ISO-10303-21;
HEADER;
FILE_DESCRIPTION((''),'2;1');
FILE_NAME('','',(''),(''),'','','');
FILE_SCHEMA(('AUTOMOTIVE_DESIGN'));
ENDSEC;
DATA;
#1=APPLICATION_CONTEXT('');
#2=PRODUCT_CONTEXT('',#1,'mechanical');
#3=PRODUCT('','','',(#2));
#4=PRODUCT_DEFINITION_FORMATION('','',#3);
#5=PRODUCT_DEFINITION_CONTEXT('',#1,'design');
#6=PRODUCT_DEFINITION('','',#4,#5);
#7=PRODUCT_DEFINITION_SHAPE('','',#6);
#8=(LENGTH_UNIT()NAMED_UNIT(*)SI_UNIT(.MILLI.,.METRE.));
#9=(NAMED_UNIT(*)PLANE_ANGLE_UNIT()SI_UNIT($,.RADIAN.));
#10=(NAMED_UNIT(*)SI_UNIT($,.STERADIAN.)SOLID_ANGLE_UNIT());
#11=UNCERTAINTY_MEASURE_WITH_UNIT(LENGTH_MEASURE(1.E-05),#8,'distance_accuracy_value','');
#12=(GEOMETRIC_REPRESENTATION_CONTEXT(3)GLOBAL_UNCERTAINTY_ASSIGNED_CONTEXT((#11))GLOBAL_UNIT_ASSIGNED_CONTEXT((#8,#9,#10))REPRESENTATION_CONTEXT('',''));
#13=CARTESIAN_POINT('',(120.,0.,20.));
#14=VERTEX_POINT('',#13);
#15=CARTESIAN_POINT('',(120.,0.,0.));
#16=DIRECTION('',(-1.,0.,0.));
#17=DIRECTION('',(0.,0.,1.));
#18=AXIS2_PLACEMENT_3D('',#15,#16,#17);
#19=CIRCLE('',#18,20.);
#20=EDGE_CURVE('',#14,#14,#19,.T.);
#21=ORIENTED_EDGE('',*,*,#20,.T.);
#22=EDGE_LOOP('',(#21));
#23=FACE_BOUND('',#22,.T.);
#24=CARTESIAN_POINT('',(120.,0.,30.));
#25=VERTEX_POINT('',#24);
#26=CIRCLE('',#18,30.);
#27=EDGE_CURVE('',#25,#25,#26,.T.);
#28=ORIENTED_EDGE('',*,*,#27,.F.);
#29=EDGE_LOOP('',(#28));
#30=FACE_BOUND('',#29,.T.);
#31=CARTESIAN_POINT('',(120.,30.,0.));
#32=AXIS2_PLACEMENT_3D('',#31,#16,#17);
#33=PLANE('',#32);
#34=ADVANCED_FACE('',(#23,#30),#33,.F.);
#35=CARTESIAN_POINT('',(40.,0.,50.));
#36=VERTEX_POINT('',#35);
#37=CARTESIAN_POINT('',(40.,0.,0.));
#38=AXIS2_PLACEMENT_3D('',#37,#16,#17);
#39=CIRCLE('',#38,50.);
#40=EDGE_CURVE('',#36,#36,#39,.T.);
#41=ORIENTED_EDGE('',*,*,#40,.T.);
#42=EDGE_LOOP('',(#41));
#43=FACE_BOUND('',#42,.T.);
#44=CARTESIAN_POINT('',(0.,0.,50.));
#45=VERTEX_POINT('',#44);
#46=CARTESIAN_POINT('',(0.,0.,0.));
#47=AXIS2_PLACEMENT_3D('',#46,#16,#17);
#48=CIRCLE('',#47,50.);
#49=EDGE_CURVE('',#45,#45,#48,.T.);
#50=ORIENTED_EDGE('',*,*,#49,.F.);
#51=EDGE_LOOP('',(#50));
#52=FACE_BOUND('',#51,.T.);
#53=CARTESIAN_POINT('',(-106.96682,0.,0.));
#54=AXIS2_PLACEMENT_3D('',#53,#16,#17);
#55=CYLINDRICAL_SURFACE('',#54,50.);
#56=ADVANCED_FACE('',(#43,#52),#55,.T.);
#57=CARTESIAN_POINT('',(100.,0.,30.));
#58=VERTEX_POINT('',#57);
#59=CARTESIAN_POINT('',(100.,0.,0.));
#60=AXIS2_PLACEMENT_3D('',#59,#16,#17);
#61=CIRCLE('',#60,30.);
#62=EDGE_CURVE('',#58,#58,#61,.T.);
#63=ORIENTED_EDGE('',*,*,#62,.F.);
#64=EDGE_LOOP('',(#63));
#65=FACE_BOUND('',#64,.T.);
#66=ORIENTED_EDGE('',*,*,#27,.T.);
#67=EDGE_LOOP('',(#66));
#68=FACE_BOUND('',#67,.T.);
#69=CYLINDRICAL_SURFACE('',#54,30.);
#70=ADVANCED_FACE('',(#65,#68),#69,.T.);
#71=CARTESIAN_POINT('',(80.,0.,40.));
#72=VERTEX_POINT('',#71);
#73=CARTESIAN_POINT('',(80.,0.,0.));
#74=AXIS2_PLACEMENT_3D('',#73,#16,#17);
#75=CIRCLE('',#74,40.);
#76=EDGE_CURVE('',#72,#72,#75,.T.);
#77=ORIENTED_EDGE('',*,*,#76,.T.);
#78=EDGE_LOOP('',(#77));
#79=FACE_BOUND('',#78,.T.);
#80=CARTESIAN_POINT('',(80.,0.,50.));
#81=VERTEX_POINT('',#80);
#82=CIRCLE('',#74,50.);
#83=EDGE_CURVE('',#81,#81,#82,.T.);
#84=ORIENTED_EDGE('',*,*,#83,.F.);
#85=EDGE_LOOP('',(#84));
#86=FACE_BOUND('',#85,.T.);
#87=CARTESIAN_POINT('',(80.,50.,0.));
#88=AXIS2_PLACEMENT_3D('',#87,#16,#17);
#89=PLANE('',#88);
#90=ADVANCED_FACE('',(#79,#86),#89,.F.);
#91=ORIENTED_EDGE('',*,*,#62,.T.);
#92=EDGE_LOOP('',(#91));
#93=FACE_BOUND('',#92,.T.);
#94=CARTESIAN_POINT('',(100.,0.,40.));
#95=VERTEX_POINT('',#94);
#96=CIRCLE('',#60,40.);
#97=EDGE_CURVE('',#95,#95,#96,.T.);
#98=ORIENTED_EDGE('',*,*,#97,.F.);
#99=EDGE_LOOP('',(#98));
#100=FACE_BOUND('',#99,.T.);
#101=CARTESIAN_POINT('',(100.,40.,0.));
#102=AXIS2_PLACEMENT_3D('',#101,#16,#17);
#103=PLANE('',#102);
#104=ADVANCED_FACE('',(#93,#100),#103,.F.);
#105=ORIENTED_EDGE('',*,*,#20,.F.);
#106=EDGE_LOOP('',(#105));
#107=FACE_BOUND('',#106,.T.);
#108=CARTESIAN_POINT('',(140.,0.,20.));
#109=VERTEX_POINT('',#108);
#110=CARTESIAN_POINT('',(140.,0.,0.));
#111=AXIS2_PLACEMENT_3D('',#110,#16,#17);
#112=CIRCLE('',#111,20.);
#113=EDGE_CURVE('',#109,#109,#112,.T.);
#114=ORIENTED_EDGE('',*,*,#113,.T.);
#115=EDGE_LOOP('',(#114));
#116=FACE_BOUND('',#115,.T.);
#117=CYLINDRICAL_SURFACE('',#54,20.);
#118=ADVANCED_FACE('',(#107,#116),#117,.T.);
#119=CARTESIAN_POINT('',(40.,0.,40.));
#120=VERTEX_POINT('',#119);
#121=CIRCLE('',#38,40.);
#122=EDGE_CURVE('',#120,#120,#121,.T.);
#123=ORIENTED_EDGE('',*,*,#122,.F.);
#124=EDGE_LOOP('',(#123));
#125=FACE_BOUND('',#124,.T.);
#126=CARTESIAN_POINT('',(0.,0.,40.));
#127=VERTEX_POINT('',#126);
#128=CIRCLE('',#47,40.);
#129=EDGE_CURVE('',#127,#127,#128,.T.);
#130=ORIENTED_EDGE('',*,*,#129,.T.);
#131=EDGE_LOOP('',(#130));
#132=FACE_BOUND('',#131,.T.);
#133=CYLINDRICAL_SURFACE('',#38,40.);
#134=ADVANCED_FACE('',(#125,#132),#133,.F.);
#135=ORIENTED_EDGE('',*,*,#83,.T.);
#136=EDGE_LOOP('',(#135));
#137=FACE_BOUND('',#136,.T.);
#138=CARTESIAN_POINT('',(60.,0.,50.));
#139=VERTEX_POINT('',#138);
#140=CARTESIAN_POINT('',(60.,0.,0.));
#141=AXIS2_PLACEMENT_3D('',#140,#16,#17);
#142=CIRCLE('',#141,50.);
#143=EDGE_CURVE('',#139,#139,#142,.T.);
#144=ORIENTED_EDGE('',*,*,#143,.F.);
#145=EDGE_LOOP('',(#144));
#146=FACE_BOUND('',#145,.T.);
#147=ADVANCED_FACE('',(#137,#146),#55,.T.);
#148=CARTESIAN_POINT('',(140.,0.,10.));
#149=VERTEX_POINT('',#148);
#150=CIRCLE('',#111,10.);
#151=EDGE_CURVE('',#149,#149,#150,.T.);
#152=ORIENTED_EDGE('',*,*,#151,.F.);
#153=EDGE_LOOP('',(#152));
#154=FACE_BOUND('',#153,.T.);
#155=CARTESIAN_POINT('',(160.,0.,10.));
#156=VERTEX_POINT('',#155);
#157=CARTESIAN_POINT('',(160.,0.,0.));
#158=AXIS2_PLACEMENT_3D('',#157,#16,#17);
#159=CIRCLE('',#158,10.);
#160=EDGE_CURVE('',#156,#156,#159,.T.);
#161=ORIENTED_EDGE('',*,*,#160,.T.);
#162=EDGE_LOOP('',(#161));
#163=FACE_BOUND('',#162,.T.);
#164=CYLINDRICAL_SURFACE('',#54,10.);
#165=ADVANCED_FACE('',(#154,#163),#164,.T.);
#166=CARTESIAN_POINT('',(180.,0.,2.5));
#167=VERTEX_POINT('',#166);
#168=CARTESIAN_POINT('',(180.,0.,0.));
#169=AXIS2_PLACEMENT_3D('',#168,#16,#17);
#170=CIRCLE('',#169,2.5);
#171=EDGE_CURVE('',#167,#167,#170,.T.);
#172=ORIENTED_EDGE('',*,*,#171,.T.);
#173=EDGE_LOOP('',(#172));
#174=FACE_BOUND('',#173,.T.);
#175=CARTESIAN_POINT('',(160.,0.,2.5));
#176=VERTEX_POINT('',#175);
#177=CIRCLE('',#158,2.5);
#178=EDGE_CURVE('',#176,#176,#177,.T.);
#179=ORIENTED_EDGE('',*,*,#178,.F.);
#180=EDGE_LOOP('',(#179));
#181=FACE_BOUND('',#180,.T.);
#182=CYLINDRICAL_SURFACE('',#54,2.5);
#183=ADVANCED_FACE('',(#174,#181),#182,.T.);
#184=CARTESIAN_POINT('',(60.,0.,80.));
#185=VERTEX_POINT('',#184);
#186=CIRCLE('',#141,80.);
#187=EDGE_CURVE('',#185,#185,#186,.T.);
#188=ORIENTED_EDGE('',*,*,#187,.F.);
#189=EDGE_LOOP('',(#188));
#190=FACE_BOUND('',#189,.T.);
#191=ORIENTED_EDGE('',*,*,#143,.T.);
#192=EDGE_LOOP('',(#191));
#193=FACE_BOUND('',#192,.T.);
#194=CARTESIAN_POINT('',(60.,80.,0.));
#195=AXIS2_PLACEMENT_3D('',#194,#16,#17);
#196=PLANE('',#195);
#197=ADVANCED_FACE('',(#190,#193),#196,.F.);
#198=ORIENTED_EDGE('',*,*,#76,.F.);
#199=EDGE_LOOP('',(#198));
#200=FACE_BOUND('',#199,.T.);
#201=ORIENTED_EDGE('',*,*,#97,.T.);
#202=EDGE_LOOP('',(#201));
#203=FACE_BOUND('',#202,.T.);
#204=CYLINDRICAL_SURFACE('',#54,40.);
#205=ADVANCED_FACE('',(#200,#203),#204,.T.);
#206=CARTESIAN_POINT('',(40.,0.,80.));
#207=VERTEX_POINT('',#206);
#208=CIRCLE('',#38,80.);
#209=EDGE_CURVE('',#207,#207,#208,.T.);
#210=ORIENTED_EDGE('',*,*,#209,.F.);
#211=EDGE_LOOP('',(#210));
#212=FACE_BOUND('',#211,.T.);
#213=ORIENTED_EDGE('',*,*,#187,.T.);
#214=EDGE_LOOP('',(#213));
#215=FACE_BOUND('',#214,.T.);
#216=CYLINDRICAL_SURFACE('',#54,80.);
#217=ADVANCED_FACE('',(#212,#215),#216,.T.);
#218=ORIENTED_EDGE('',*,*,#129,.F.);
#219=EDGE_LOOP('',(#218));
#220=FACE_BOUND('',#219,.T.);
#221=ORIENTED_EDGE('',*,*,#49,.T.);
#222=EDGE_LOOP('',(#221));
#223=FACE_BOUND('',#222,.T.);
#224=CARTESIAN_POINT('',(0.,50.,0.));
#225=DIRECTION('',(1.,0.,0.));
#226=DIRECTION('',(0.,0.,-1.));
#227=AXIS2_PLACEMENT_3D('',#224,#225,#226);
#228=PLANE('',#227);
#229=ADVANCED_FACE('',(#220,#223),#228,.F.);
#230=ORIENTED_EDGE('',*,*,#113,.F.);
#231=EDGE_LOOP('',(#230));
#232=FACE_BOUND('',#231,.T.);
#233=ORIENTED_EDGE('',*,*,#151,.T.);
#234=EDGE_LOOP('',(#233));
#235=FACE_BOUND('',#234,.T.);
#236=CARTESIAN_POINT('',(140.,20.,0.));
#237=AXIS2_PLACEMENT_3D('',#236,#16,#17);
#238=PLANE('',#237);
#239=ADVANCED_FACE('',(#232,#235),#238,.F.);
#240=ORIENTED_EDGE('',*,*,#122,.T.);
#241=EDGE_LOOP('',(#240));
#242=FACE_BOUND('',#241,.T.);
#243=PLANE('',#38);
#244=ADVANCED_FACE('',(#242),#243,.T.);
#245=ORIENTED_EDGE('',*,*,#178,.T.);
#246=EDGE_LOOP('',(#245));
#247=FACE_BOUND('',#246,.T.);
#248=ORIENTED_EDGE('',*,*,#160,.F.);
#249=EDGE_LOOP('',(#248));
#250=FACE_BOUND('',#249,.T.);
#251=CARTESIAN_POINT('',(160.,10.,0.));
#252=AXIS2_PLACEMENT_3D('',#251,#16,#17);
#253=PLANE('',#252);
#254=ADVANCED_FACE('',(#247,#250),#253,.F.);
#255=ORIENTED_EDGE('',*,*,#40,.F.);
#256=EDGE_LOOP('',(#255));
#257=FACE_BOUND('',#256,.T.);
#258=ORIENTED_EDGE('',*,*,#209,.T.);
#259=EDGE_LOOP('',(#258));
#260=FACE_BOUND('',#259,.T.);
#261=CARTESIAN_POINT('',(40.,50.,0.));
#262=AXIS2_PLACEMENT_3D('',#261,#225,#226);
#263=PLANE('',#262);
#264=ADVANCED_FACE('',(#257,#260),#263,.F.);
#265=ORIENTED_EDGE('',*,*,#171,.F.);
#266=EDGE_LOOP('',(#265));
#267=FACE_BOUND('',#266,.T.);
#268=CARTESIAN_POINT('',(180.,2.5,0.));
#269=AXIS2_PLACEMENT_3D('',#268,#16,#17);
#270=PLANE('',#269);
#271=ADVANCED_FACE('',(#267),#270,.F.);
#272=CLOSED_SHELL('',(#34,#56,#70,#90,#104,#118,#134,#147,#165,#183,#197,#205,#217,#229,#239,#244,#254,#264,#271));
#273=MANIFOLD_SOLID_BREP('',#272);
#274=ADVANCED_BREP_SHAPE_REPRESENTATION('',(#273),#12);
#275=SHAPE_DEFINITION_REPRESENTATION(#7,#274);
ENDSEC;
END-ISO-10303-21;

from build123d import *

# Parameters (mm, degrees)
SKETCH8_R          = 40
CUT_EXTRUDE3_DEPTH = 40


with BuildPart() as part:
    # Sketch2 → Revolve4 (revolve)
    with BuildSketch(Plane.XY, mode=Mode.PRIVATE) as revolve4_sk:
        Polygon((40, 50), (40, 80), (60, 80), (60, 50), (80, 50), (80, 40), (100, 40), (100, 30), (120, 30), (120, 20), (140, 20), (140, 10), (160, 10), (160, 2.5), (180, 2.5), (180, 0), (0, 0), (0, 50), align=None)
    revolve(revolve4_sk.sketch.rotate(Axis((-106.966820462, 0, 0), (1, 0, 0)), 90), axis=Axis((-106.966820462, 0, 0), (1, 0, 0)))  # turned: the seam where the file's is

    # Sketch8 → Cut-Extrude3 (cut)
    with BuildSketch(Plane.ZY):
        Circle(SKETCH8_R)
    extrude(amount=-CUT_EXTRUDE3_DEPTH, mode=Mode.SUBTRACT)


solid = part.part
